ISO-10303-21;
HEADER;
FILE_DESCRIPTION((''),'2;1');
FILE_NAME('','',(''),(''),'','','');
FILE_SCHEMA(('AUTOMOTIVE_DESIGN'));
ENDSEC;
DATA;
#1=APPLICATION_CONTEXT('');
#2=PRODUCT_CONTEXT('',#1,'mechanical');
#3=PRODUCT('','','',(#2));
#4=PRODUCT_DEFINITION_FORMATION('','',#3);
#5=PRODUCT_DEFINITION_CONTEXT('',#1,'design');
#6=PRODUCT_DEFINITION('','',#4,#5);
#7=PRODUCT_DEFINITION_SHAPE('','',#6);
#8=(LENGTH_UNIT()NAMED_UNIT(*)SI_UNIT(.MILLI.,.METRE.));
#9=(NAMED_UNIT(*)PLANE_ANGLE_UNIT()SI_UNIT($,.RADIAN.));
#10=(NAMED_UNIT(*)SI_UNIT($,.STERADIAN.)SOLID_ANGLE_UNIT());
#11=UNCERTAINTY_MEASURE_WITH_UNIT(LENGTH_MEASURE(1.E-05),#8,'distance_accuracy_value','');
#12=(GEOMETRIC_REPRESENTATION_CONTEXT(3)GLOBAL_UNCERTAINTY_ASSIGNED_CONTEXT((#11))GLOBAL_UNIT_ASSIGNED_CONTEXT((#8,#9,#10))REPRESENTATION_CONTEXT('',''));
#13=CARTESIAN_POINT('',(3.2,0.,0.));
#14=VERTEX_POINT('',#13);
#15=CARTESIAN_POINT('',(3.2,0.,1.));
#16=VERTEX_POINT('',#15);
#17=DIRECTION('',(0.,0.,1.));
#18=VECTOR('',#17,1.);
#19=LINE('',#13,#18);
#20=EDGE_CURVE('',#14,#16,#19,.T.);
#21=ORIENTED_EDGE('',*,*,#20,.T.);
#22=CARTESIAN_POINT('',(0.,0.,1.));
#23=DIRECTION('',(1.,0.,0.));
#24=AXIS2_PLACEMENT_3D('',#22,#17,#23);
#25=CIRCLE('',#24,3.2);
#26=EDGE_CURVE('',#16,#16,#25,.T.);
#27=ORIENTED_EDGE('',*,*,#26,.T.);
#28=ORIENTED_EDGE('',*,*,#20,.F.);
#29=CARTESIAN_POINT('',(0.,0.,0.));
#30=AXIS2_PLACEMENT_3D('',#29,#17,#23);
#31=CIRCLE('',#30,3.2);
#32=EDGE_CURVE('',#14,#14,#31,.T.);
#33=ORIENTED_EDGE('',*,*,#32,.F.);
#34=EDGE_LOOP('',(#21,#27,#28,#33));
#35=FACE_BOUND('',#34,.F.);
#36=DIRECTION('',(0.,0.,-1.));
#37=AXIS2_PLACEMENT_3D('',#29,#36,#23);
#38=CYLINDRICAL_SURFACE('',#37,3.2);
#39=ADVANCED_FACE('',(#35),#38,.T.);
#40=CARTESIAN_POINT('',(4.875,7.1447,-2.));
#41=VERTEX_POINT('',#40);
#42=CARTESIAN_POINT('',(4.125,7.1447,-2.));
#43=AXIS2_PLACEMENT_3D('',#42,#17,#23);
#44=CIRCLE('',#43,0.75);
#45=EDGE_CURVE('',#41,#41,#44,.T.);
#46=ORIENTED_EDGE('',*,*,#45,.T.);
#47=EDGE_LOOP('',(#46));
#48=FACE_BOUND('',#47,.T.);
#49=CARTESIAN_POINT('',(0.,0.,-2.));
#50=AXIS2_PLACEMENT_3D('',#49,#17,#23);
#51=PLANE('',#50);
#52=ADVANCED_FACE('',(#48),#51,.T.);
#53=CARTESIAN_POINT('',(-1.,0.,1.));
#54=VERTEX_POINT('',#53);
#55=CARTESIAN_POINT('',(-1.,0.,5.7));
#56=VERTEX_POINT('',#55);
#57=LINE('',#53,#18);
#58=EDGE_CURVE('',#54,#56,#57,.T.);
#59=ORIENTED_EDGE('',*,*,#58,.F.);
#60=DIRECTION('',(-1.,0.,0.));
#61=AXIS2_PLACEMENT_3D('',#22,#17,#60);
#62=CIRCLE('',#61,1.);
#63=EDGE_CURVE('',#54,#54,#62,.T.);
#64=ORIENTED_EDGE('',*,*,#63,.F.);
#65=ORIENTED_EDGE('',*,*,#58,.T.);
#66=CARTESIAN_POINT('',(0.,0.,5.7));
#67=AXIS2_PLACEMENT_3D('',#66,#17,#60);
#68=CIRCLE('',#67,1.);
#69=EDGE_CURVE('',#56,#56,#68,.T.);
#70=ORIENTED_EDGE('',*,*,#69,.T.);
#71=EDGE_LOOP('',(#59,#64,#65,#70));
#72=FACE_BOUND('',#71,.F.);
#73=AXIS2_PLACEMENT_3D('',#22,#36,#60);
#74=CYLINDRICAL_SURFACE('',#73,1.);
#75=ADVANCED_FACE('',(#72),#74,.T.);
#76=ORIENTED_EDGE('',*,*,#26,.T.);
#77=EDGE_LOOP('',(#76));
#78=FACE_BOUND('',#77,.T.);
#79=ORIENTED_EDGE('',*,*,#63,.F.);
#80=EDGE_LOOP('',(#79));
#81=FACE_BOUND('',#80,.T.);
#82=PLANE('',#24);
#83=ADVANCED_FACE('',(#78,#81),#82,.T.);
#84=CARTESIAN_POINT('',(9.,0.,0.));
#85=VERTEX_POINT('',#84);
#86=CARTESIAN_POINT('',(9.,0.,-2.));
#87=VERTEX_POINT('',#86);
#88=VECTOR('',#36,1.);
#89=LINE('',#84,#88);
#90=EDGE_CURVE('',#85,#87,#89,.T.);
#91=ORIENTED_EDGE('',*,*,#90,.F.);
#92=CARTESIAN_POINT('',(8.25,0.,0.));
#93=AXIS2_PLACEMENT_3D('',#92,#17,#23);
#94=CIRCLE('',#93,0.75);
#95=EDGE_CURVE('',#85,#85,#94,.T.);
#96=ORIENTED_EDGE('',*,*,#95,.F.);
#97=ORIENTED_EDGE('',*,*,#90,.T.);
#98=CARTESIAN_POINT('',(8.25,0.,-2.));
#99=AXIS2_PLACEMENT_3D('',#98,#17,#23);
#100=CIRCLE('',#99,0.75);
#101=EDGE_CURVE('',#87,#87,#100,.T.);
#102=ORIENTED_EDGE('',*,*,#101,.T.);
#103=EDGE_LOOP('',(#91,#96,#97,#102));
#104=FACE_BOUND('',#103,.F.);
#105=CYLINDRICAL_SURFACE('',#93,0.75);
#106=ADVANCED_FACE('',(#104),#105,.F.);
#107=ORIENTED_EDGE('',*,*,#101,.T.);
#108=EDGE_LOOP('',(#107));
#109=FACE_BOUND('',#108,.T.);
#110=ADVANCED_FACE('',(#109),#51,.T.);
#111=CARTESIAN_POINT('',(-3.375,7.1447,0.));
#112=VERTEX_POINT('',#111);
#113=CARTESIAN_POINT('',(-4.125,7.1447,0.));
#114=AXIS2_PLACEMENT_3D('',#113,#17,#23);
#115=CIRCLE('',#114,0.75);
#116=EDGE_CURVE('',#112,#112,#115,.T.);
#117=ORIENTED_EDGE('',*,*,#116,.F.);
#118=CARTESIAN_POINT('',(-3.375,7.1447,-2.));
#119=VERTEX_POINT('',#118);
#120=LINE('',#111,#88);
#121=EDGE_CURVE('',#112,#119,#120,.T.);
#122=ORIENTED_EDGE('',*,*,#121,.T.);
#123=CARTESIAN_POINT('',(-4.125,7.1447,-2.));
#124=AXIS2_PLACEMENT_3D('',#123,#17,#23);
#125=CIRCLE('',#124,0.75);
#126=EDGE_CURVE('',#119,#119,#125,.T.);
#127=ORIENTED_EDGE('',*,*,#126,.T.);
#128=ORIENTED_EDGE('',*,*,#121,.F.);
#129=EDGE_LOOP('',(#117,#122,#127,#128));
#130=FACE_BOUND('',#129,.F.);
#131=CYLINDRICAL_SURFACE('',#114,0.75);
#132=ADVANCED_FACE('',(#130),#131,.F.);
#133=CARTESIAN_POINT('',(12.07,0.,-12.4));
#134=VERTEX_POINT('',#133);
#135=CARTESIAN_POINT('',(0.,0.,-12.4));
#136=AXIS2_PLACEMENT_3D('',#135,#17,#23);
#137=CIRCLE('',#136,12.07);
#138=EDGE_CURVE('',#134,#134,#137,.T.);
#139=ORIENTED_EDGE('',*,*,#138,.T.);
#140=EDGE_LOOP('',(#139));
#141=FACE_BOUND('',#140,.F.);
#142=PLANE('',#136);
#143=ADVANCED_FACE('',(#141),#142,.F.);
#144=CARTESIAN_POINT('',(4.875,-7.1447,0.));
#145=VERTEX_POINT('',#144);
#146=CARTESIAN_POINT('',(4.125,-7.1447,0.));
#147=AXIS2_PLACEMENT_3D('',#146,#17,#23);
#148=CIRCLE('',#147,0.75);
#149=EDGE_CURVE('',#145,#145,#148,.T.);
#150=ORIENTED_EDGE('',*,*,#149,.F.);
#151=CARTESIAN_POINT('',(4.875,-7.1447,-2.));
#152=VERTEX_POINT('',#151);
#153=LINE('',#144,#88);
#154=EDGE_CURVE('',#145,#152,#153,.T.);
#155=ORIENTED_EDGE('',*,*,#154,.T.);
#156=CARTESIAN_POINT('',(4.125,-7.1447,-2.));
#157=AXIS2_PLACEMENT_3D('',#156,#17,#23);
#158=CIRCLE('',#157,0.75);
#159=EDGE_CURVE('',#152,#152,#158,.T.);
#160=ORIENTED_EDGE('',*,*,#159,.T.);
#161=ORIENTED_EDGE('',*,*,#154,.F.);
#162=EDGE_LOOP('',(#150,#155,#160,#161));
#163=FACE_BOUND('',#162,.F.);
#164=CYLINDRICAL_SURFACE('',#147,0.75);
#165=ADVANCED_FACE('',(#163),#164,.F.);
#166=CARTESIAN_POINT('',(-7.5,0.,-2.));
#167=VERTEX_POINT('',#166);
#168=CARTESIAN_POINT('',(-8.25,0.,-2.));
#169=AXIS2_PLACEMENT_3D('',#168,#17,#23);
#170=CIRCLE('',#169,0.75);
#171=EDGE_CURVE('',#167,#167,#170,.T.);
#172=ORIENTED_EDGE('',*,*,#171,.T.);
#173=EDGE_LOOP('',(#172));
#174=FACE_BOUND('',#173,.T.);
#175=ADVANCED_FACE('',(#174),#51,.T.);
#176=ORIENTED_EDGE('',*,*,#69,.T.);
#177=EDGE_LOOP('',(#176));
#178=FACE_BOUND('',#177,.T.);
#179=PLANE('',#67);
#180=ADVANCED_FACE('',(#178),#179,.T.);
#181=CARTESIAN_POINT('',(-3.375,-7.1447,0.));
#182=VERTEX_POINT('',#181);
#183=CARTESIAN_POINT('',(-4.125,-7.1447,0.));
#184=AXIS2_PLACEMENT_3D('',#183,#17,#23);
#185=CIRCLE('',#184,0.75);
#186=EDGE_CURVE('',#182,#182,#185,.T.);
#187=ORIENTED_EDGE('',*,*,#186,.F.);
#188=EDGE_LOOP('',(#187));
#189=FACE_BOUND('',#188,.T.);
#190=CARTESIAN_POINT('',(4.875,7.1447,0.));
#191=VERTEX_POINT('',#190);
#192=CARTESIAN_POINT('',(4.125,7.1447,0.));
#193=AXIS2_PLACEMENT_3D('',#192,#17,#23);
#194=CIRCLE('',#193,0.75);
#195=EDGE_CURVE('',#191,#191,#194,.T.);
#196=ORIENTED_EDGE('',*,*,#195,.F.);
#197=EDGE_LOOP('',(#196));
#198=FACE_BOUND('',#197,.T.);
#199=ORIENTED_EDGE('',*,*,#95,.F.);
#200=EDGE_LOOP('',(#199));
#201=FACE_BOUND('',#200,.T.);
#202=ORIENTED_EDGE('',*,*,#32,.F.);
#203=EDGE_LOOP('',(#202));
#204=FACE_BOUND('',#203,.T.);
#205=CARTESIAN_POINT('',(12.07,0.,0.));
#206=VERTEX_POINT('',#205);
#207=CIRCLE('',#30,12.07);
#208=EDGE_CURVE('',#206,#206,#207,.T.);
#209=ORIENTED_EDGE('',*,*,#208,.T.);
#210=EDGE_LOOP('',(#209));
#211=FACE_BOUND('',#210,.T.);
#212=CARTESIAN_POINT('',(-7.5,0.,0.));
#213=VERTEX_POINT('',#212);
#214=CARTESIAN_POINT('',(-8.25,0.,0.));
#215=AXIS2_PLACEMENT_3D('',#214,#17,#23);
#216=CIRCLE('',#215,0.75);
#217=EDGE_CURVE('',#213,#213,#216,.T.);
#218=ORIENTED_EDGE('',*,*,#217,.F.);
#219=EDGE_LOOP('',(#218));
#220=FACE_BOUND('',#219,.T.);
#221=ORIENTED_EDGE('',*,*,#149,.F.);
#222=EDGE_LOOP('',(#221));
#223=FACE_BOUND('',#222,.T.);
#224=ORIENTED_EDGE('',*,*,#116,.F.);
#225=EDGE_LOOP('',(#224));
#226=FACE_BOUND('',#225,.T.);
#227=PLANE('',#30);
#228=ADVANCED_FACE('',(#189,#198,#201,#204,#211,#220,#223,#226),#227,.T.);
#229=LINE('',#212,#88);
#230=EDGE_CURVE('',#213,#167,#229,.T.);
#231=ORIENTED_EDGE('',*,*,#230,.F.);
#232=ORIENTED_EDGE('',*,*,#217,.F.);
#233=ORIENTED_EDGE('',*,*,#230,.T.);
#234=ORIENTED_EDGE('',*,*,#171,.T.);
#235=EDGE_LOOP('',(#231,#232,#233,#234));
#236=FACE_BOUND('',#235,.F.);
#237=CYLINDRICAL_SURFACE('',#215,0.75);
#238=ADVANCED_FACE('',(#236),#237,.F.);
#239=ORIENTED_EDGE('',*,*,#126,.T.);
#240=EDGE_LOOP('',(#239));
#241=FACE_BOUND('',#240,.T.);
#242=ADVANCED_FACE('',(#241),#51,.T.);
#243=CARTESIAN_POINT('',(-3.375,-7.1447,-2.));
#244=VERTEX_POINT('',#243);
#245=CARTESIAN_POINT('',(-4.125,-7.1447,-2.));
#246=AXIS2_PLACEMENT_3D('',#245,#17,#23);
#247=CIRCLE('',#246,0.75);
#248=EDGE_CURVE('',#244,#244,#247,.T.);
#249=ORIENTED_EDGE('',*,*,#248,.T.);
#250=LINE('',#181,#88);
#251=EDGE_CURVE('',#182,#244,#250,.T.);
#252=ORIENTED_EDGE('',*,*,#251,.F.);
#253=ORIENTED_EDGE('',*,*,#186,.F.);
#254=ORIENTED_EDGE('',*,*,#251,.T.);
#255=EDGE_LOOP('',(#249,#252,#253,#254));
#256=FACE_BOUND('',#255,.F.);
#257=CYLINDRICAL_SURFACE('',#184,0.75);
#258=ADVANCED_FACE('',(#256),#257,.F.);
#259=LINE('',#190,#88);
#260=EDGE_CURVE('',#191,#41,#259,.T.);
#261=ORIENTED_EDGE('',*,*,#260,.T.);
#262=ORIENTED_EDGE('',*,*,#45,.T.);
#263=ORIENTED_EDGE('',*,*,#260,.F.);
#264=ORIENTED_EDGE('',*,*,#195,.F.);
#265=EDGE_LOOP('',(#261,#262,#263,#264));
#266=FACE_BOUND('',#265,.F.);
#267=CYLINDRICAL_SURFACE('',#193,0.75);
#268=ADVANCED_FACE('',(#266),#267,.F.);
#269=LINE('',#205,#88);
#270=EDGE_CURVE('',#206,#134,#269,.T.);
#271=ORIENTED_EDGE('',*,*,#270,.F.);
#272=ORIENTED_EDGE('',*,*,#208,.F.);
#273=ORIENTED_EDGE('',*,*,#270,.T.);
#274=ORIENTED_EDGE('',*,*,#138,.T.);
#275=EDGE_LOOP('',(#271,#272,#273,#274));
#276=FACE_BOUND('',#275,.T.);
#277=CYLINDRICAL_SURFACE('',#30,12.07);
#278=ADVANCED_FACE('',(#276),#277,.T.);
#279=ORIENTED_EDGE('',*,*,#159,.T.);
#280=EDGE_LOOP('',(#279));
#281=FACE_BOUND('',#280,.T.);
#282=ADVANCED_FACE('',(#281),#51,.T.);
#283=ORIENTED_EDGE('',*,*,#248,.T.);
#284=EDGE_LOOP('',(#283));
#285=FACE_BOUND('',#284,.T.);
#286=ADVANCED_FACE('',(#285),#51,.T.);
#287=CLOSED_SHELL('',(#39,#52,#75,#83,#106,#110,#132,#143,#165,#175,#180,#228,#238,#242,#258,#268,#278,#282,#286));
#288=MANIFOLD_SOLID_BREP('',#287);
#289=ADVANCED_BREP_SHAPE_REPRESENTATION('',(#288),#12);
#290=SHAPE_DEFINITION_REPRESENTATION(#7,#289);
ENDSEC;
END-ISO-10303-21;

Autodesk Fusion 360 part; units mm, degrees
sketch "Sketch1" plane through (0, 0, 0) normal (0, 0, 1) x (1, 0, 0)
  circle A0 centre (0, 0) radius 12.07
  circle A1 centre (0, 0) radius 3.2
  dimension "d1" = 24.14
  dimension "d2" = 6.4
extrude "Extrude1" add sketch "Sketch1" against normal blind 12.4 contours A0 | A1
extrude "Extrude2" add sketch "Sketch1" along normal blind 1 contours A1
sketch "Sketch2" plane through (0, 0, 1) normal (0, 0, 1) x (-1, 0, 0)
  circle A0 centre (0, 0) radius 3.2
  circle A1 centre (0, 0) radius 1
  dimension "d7" = 2
extrude "Extrude3" add sketch "Sketch2" along normal blind 4.7 contours A1
sketch "Sketch3" plane through (0, 0, 0) normal (0, 0, 1) x (1, 0, 0)
  line L0 (0, 0) -> (-8.25, 0) construction
  circle A0 centre (-8.25, 0) radius 0.75
  circle A1 centre (-4.125, -7.1447) radius 0.75
  circle A2 centre (4.125, -7.1447) radius 0.75
  circle A3 centre (8.25, 0) radius 0.75
  circle A4 centre (4.125, 7.1447) radius 0.75
  circle A5 centre (-4.125, 7.1447) radius 0.75
  dimension "d10" = 8.25
  dimension "d11" = 1.5
  dimension "d13" = 360
extrude "Extrude4" cut sketch "Sketch3" against normal blind 2
